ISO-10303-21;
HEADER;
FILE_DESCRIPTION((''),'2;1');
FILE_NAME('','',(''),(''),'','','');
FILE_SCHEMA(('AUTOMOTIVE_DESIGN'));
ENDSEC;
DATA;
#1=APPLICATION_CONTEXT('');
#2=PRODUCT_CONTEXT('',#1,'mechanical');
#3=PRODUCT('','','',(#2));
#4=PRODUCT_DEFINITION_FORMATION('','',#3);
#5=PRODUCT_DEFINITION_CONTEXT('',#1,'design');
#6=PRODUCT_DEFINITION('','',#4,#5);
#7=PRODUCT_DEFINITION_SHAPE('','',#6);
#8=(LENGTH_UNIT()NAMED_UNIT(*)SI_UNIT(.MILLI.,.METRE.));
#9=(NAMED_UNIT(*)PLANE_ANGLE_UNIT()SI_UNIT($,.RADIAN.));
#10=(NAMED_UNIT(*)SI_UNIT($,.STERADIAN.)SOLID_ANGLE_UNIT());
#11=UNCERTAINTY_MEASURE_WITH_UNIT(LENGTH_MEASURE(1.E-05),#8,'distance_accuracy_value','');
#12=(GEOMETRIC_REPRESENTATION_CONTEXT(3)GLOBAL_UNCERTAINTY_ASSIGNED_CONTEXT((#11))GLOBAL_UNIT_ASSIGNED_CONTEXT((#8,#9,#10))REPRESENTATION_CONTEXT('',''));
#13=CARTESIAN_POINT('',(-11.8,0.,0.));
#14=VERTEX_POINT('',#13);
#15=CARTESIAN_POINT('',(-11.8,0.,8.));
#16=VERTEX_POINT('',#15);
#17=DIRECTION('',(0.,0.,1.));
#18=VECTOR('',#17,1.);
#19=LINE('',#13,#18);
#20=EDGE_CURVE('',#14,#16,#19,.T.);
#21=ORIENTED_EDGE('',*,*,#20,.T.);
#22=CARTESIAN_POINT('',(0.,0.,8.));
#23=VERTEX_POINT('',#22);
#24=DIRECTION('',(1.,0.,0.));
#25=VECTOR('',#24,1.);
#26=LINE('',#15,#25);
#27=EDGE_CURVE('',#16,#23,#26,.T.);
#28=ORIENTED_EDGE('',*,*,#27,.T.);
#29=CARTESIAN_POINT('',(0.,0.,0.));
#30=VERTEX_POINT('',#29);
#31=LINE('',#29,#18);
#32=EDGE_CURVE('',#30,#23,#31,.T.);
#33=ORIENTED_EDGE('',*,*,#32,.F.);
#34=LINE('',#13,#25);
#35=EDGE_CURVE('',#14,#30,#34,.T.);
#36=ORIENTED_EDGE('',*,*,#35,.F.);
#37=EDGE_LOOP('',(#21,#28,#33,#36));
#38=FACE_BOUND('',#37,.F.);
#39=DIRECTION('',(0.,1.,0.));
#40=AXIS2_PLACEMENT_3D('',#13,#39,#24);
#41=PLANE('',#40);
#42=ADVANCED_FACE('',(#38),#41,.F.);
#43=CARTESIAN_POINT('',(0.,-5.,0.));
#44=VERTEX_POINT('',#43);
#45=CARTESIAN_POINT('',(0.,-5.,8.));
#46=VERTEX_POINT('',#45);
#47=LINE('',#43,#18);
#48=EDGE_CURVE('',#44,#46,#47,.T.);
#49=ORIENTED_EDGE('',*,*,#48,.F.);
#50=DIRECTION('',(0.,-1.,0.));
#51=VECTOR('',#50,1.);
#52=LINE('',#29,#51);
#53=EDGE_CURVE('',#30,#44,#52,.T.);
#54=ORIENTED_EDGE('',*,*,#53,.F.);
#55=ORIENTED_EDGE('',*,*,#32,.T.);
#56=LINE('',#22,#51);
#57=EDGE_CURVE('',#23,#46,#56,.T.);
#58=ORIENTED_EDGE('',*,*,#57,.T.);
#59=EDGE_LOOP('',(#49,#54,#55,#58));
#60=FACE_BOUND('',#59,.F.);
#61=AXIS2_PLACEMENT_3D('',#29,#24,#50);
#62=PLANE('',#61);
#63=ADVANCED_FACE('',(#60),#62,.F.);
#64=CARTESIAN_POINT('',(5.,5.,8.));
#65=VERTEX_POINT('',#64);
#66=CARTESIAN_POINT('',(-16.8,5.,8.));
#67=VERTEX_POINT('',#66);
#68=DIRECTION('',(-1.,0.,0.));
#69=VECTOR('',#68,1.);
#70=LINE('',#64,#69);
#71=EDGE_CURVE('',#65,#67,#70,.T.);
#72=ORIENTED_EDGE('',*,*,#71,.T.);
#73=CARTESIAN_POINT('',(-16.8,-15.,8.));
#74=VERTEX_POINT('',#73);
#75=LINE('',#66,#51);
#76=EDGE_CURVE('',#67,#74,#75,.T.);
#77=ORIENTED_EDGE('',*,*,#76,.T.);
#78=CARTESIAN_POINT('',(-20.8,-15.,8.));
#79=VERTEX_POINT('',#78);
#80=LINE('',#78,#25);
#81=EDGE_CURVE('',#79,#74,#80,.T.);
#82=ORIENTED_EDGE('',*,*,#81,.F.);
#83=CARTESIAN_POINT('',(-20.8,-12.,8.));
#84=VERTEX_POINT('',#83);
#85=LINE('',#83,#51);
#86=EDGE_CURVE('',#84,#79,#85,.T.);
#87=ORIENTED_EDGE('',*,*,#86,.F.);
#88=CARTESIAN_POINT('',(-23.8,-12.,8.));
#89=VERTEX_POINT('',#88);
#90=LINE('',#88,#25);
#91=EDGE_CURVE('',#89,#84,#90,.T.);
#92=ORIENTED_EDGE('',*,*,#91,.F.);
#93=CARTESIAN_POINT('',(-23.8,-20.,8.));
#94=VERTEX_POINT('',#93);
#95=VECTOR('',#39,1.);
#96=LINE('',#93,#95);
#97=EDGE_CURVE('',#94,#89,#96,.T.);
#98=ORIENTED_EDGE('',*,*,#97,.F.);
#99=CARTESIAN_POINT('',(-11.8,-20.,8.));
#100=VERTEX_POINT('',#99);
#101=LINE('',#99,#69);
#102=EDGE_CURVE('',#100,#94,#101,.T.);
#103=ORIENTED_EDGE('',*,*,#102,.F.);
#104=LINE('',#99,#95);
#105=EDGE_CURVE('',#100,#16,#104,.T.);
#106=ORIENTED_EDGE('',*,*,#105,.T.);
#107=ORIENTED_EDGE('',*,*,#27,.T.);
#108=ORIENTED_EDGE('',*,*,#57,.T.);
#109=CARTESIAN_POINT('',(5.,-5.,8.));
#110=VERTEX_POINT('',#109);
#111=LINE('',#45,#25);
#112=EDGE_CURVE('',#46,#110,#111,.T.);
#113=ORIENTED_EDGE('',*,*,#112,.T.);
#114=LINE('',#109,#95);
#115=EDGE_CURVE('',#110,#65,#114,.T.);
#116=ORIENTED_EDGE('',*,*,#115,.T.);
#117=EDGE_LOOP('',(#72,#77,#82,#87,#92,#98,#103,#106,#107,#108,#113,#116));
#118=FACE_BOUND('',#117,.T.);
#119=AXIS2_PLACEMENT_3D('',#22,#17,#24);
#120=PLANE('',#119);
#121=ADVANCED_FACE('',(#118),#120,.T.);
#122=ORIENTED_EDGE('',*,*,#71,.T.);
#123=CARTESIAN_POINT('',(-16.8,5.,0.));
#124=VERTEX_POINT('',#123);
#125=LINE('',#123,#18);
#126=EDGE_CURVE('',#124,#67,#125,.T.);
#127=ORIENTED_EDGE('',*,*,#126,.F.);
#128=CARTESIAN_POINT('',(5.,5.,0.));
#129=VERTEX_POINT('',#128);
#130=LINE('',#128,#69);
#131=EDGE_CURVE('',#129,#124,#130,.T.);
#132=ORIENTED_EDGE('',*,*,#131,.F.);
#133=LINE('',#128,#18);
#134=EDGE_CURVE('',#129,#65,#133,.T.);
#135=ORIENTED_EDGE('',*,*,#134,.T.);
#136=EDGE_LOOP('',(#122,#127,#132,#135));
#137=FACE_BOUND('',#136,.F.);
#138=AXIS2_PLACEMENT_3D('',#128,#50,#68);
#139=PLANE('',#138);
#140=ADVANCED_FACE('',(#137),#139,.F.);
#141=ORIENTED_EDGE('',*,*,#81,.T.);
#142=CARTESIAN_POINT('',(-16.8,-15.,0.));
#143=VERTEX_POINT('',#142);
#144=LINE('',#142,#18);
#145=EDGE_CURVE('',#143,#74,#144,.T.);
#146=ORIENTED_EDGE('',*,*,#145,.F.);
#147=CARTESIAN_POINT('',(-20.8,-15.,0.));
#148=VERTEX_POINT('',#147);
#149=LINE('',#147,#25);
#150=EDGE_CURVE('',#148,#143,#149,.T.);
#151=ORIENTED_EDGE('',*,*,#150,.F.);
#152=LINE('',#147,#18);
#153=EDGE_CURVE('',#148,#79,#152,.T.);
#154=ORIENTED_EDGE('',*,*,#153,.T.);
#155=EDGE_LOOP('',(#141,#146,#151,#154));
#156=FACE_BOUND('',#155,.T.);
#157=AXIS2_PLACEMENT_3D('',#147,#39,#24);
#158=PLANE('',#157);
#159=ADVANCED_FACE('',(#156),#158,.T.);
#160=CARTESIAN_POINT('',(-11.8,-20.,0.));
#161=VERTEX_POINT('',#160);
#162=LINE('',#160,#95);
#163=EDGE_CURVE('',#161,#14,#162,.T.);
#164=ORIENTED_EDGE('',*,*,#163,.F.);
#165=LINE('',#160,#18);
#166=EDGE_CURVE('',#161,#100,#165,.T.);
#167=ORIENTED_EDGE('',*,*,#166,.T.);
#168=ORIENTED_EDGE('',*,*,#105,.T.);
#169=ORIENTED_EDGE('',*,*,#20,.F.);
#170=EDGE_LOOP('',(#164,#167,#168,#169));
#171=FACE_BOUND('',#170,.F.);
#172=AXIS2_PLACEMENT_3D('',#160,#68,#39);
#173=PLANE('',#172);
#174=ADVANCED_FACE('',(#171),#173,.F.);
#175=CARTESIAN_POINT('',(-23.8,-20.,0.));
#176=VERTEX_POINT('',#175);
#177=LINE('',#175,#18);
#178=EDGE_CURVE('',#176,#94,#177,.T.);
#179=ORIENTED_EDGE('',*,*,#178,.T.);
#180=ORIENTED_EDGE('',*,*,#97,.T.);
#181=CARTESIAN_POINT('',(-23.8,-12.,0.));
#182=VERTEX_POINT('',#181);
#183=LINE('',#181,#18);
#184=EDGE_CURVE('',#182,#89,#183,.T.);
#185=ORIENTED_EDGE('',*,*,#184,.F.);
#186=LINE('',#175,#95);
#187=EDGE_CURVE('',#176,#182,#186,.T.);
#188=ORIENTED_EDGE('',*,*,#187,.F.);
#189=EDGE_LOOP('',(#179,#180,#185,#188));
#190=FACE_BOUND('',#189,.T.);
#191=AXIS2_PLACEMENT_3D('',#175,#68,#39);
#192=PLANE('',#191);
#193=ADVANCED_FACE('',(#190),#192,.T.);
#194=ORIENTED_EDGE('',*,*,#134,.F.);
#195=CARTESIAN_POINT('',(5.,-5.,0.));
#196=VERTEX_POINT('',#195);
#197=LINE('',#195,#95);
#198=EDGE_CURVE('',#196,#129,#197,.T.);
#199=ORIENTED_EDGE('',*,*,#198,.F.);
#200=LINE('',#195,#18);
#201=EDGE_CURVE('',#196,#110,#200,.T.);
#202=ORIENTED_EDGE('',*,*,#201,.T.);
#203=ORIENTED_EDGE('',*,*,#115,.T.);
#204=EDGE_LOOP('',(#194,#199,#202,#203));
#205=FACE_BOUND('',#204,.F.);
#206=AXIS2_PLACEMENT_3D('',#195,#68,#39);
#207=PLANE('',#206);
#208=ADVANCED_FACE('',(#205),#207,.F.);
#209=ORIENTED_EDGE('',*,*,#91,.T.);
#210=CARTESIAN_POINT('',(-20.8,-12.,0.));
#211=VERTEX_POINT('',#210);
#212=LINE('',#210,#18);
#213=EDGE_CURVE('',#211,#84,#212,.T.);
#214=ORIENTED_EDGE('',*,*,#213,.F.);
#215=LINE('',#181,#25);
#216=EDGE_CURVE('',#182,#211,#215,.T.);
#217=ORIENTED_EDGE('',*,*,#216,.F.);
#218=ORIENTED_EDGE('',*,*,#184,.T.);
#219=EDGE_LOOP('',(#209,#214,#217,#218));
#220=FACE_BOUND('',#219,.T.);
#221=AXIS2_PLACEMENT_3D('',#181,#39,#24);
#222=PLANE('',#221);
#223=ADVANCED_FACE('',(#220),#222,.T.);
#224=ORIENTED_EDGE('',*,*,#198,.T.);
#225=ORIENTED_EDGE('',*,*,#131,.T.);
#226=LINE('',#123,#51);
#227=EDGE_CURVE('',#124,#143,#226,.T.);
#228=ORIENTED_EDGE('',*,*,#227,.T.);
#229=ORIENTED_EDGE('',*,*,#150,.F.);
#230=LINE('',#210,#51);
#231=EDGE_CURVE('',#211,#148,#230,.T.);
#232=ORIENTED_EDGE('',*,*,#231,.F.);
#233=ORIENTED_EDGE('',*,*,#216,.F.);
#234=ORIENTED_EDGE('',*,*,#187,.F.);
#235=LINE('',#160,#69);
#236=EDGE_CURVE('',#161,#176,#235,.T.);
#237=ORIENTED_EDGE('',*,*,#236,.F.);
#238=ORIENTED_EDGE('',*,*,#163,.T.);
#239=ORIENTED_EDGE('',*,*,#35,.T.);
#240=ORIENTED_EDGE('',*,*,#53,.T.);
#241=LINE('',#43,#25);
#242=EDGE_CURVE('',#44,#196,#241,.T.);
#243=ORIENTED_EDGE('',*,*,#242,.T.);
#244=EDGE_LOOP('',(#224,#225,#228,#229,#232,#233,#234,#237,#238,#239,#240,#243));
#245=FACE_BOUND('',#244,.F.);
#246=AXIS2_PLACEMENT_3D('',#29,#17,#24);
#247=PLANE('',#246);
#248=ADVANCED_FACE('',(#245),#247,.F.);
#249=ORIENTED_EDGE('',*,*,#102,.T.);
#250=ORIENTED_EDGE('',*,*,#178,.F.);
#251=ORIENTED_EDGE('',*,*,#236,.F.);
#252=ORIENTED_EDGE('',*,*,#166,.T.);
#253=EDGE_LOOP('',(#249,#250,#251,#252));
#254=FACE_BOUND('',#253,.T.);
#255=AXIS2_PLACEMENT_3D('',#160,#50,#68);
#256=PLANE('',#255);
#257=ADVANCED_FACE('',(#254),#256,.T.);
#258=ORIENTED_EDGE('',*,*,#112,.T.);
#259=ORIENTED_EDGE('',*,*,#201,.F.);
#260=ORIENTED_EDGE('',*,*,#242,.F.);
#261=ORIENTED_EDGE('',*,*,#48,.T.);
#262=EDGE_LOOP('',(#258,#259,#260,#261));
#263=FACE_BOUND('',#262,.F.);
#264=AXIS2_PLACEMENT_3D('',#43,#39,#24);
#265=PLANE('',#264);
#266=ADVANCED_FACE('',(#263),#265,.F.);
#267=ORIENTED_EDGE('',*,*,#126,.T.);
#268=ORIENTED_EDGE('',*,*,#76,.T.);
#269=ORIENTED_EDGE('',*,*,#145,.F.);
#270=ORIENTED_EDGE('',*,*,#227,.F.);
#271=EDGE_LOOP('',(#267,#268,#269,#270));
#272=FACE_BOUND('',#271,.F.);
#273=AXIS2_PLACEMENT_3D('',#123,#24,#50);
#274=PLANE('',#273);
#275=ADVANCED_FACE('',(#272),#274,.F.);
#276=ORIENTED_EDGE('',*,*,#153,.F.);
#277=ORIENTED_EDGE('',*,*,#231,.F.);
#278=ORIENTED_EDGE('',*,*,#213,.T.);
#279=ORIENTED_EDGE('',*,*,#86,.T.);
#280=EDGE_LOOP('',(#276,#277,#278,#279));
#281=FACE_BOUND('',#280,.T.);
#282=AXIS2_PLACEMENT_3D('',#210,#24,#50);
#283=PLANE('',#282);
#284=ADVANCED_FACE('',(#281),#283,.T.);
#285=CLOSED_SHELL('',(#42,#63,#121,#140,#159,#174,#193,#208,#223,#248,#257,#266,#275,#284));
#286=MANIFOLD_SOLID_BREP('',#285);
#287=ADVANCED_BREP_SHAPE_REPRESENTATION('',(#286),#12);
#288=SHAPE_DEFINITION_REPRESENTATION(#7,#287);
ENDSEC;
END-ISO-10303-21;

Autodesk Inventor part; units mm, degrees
ref_plane "YZ Plane" through (0, 0, 0) normal (1, 0, 0) x (0, 1, 0)
ref_plane "XZ Plane" through (0, 0, 0) normal (0, 1, 0) x (-1, 0, 0)
ref_plane "XY Plane" through (0, 0, 0) normal (0, 0, 1) x (1, 0, 0)
sketch "Sketch1" plane through (0, 0, 0) normal (0, 0, 1) x (1, 0, 0)
  line L0 (-11.8, -20) -> (-23.8, -20)
  line L1 (-23.8, -20) -> (-23.8, -12)
  line L2 (-20.8, -15) -> (-16.8, -15)
  line L3 (-16.8, 5) -> (-16.8, -15)
  line L4 (-11.8, -20) -> (-11.8, 0)
  line L5 (-11.8, 0) -> (0, 0)
  line L6 (0, 0) -> (0, -5)
  line L7 (0, -5) -> (5, -5)
  line L8 (5, -5) -> (5, 5)
  line L9 (5, 5) -> (-16.8, 5)
  line L10 (-23.8, -12) -> (-20.8, -12)
  line L11 (-20.8, -12) -> (-20.8, -15)
extrude "Extrusion1" add sketch "Sketch1" along normal blind 8
properties part number "horizontal_clip"
